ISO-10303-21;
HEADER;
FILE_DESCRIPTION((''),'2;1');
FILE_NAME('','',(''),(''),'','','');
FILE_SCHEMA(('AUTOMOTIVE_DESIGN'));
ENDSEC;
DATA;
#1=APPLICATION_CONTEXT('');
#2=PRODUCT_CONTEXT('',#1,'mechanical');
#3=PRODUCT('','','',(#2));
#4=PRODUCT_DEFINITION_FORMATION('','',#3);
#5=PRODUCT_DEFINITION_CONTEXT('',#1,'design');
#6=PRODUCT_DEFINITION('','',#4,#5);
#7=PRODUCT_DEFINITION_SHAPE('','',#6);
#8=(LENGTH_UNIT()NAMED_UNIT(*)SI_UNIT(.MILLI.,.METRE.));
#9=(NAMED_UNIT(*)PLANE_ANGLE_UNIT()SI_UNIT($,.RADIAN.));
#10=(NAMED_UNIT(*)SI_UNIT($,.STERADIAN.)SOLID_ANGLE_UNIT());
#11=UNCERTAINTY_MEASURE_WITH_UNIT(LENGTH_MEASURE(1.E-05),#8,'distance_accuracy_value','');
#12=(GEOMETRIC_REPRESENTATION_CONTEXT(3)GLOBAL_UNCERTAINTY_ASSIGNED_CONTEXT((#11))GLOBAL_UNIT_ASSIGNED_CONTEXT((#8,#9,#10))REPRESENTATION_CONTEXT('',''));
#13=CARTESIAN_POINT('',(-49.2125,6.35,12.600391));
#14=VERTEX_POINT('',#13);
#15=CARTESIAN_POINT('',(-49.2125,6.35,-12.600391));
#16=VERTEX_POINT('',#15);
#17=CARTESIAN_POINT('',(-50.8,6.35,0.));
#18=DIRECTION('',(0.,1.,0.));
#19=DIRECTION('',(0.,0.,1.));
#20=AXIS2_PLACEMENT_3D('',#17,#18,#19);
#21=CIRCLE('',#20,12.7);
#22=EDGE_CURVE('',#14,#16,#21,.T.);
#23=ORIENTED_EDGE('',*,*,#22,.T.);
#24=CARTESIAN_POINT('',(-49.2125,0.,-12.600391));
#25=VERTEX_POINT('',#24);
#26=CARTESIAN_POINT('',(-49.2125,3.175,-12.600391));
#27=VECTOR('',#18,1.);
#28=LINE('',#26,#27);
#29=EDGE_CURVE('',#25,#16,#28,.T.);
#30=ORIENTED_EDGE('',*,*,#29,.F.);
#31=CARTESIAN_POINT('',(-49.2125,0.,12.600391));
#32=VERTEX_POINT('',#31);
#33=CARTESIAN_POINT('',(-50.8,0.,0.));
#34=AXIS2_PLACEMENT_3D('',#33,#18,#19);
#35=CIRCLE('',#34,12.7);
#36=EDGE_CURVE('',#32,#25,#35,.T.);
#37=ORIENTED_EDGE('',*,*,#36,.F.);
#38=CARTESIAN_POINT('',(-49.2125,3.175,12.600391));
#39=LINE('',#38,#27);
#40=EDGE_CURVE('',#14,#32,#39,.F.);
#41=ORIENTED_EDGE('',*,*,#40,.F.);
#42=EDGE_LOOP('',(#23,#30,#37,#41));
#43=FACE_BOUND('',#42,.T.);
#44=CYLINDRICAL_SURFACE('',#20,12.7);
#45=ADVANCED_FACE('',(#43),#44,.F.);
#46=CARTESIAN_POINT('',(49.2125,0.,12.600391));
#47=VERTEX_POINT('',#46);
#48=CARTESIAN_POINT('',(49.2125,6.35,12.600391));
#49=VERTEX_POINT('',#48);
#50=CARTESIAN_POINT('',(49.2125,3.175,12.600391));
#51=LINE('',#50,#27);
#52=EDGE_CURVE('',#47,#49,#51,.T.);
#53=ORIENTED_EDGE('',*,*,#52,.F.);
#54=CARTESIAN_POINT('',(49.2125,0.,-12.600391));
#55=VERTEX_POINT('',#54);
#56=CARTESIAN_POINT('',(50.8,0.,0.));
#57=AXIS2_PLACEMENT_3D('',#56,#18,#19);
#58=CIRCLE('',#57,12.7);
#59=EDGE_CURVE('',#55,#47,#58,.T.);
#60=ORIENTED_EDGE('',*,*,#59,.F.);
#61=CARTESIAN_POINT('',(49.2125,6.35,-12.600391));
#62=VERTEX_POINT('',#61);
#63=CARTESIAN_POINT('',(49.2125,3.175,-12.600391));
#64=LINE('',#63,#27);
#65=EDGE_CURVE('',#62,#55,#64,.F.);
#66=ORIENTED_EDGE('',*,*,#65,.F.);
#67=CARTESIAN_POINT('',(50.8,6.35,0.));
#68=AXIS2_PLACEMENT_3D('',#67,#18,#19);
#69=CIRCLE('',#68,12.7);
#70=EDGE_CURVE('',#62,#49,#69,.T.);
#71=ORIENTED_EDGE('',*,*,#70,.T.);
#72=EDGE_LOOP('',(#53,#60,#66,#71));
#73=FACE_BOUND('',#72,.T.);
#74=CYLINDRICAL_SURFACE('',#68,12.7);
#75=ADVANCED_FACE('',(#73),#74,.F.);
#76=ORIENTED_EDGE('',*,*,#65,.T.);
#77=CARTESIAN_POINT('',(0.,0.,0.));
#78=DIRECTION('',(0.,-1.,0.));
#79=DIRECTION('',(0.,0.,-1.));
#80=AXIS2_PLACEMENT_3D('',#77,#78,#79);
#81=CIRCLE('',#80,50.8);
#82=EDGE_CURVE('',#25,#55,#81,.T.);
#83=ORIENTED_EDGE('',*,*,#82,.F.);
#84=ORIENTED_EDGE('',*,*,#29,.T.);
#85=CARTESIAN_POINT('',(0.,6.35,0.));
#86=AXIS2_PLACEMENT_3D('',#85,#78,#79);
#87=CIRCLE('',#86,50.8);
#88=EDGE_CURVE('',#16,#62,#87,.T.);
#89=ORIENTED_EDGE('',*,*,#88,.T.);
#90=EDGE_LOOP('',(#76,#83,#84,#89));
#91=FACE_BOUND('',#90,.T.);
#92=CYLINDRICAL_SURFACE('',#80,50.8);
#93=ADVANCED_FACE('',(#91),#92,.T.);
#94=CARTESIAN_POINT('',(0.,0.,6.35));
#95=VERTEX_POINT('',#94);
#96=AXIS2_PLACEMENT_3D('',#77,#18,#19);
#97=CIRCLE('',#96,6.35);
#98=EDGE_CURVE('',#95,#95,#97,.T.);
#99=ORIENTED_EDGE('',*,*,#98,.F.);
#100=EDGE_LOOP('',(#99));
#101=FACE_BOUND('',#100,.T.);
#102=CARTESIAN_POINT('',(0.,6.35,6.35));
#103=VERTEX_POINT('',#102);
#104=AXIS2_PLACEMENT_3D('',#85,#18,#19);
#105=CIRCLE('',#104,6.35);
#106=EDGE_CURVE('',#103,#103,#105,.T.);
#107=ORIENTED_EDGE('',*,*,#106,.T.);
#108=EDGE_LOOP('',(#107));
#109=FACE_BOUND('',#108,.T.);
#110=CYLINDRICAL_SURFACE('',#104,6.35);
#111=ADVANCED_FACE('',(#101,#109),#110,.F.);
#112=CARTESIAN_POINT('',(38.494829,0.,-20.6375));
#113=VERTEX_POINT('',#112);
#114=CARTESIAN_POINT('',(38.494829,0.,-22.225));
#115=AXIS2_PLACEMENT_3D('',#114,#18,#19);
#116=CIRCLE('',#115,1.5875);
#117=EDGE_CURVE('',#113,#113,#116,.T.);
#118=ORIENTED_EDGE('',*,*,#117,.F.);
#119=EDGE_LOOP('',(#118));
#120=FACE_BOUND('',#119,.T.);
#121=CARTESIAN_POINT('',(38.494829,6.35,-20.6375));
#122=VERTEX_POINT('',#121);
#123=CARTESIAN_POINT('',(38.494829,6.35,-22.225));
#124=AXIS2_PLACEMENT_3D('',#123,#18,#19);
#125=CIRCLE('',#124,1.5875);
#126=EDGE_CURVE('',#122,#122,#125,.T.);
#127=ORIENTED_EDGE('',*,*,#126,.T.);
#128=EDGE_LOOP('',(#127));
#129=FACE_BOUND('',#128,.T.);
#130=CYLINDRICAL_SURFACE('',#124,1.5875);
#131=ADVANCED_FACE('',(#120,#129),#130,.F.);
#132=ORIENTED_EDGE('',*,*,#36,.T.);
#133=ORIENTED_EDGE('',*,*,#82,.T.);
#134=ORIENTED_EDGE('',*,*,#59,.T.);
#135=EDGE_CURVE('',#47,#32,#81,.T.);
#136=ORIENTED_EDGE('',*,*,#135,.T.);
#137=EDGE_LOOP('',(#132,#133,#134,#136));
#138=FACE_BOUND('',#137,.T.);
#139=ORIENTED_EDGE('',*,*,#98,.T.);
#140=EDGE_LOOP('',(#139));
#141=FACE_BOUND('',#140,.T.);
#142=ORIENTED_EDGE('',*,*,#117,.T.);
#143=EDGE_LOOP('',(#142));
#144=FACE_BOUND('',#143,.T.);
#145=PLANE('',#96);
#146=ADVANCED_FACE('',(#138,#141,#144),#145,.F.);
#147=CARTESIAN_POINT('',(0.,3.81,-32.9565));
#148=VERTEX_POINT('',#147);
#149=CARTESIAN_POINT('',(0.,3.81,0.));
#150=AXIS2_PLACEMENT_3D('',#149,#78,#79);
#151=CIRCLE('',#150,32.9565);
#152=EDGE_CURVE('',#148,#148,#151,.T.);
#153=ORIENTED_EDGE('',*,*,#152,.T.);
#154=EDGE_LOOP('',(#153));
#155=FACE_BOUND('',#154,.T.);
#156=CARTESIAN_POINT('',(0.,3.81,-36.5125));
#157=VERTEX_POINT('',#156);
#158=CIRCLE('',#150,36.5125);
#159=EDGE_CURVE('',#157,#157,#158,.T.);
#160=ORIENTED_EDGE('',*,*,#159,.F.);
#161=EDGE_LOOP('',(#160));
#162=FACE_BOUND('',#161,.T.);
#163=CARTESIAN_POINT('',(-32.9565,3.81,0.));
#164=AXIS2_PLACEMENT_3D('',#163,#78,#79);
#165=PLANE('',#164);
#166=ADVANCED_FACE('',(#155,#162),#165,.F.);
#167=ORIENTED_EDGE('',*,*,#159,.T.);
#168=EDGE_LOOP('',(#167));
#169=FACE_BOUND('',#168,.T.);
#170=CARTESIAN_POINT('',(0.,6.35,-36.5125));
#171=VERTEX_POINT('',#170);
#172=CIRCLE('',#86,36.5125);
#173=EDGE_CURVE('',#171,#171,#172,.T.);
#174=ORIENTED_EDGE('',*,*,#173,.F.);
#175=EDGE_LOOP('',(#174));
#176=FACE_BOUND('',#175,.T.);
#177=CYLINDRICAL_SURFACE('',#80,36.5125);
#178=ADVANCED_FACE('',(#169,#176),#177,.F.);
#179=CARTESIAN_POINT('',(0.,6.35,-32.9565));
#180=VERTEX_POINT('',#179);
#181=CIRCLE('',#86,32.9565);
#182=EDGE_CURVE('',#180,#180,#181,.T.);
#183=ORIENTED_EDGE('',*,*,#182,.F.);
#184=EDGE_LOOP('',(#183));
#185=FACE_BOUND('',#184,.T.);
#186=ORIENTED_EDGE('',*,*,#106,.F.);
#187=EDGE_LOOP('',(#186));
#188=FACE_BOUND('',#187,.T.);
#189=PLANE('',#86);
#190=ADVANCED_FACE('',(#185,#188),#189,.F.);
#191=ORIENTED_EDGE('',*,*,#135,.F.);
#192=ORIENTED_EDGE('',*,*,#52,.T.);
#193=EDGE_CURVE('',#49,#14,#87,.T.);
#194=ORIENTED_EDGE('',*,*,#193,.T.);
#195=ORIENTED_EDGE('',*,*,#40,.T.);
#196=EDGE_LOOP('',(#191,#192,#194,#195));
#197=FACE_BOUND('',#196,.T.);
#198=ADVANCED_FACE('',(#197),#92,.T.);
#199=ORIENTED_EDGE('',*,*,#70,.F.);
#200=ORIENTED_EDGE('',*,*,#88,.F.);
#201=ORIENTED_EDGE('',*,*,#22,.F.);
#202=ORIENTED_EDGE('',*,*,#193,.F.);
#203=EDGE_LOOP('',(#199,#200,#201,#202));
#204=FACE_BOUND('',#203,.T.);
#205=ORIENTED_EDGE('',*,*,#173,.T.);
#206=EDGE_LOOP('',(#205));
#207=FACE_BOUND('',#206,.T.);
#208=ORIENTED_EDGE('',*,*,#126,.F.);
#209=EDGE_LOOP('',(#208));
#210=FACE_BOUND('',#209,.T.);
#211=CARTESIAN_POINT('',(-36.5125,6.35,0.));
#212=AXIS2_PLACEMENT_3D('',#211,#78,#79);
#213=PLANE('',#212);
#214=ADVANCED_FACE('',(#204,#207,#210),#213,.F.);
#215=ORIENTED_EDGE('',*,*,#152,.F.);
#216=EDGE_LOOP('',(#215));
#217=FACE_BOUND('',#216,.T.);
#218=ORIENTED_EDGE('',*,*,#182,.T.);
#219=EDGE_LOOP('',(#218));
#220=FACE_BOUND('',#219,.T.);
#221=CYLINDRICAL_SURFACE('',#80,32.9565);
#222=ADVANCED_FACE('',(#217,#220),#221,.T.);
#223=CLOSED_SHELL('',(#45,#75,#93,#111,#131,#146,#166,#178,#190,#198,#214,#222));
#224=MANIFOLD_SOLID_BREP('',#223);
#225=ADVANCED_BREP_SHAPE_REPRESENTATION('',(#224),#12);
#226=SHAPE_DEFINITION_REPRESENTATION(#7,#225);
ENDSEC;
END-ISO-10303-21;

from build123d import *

# Parameters (mm, degrees)
F_1_2_0_5_DIAMETER_HOLE1_D   = 12.7
F_1_1_DIAMETER_HOLE1_D       = 25.4
F_1_8_0_125_DIAMETER_HOLE1_D = 3.175


with BuildPart() as part:
    # Sketch1 → Revolve1 (revolve)
    with BuildSketch(Plane.XY):
        Polygon((-32.9565, 6.35), (-32.9565, 3.81), (-36.5125, 3.81), (-36.5125, 6.35), (-50.8, 6.35), (-50.8, 0), (0, 0), (0, 6.35), align=None)
    revolve(axis=Axis((0, 0, 0), (0, 1, 0)))

    # 1/2 (0.5) Diameter Hole1 (through all)
    with Locations(Plane(origin=(0, 6.35, 0), x_dir=(1, 0, 0), z_dir=(0, 1, 0))):
        with Locations((0, 0)):
            Hole(F_1_2_0_5_DIAMETER_HOLE1_D / 2)

    # 1 (1) Diameter Hole1 (through all)
    with Locations(Plane(origin=(0, 6.35, 0), x_dir=(1, 0, 0), z_dir=(0, 1, 0))):
        with Locations((50.8, 0), (-50.8, 0)):
            Hole(F_1_1_DIAMETER_HOLE1_D / 2)

    # 1/8 (0.125) Diameter Hole1 (through all)
    with Locations(Plane(origin=(0, 6.35, 0), x_dir=(1, 0, 0), z_dir=(0, 1, 0))):
        with Locations((38.494829198, 22.225)):
            Hole(F_1_8_0_125_DIAMETER_HOLE1_D / 2)


solid = part.part
